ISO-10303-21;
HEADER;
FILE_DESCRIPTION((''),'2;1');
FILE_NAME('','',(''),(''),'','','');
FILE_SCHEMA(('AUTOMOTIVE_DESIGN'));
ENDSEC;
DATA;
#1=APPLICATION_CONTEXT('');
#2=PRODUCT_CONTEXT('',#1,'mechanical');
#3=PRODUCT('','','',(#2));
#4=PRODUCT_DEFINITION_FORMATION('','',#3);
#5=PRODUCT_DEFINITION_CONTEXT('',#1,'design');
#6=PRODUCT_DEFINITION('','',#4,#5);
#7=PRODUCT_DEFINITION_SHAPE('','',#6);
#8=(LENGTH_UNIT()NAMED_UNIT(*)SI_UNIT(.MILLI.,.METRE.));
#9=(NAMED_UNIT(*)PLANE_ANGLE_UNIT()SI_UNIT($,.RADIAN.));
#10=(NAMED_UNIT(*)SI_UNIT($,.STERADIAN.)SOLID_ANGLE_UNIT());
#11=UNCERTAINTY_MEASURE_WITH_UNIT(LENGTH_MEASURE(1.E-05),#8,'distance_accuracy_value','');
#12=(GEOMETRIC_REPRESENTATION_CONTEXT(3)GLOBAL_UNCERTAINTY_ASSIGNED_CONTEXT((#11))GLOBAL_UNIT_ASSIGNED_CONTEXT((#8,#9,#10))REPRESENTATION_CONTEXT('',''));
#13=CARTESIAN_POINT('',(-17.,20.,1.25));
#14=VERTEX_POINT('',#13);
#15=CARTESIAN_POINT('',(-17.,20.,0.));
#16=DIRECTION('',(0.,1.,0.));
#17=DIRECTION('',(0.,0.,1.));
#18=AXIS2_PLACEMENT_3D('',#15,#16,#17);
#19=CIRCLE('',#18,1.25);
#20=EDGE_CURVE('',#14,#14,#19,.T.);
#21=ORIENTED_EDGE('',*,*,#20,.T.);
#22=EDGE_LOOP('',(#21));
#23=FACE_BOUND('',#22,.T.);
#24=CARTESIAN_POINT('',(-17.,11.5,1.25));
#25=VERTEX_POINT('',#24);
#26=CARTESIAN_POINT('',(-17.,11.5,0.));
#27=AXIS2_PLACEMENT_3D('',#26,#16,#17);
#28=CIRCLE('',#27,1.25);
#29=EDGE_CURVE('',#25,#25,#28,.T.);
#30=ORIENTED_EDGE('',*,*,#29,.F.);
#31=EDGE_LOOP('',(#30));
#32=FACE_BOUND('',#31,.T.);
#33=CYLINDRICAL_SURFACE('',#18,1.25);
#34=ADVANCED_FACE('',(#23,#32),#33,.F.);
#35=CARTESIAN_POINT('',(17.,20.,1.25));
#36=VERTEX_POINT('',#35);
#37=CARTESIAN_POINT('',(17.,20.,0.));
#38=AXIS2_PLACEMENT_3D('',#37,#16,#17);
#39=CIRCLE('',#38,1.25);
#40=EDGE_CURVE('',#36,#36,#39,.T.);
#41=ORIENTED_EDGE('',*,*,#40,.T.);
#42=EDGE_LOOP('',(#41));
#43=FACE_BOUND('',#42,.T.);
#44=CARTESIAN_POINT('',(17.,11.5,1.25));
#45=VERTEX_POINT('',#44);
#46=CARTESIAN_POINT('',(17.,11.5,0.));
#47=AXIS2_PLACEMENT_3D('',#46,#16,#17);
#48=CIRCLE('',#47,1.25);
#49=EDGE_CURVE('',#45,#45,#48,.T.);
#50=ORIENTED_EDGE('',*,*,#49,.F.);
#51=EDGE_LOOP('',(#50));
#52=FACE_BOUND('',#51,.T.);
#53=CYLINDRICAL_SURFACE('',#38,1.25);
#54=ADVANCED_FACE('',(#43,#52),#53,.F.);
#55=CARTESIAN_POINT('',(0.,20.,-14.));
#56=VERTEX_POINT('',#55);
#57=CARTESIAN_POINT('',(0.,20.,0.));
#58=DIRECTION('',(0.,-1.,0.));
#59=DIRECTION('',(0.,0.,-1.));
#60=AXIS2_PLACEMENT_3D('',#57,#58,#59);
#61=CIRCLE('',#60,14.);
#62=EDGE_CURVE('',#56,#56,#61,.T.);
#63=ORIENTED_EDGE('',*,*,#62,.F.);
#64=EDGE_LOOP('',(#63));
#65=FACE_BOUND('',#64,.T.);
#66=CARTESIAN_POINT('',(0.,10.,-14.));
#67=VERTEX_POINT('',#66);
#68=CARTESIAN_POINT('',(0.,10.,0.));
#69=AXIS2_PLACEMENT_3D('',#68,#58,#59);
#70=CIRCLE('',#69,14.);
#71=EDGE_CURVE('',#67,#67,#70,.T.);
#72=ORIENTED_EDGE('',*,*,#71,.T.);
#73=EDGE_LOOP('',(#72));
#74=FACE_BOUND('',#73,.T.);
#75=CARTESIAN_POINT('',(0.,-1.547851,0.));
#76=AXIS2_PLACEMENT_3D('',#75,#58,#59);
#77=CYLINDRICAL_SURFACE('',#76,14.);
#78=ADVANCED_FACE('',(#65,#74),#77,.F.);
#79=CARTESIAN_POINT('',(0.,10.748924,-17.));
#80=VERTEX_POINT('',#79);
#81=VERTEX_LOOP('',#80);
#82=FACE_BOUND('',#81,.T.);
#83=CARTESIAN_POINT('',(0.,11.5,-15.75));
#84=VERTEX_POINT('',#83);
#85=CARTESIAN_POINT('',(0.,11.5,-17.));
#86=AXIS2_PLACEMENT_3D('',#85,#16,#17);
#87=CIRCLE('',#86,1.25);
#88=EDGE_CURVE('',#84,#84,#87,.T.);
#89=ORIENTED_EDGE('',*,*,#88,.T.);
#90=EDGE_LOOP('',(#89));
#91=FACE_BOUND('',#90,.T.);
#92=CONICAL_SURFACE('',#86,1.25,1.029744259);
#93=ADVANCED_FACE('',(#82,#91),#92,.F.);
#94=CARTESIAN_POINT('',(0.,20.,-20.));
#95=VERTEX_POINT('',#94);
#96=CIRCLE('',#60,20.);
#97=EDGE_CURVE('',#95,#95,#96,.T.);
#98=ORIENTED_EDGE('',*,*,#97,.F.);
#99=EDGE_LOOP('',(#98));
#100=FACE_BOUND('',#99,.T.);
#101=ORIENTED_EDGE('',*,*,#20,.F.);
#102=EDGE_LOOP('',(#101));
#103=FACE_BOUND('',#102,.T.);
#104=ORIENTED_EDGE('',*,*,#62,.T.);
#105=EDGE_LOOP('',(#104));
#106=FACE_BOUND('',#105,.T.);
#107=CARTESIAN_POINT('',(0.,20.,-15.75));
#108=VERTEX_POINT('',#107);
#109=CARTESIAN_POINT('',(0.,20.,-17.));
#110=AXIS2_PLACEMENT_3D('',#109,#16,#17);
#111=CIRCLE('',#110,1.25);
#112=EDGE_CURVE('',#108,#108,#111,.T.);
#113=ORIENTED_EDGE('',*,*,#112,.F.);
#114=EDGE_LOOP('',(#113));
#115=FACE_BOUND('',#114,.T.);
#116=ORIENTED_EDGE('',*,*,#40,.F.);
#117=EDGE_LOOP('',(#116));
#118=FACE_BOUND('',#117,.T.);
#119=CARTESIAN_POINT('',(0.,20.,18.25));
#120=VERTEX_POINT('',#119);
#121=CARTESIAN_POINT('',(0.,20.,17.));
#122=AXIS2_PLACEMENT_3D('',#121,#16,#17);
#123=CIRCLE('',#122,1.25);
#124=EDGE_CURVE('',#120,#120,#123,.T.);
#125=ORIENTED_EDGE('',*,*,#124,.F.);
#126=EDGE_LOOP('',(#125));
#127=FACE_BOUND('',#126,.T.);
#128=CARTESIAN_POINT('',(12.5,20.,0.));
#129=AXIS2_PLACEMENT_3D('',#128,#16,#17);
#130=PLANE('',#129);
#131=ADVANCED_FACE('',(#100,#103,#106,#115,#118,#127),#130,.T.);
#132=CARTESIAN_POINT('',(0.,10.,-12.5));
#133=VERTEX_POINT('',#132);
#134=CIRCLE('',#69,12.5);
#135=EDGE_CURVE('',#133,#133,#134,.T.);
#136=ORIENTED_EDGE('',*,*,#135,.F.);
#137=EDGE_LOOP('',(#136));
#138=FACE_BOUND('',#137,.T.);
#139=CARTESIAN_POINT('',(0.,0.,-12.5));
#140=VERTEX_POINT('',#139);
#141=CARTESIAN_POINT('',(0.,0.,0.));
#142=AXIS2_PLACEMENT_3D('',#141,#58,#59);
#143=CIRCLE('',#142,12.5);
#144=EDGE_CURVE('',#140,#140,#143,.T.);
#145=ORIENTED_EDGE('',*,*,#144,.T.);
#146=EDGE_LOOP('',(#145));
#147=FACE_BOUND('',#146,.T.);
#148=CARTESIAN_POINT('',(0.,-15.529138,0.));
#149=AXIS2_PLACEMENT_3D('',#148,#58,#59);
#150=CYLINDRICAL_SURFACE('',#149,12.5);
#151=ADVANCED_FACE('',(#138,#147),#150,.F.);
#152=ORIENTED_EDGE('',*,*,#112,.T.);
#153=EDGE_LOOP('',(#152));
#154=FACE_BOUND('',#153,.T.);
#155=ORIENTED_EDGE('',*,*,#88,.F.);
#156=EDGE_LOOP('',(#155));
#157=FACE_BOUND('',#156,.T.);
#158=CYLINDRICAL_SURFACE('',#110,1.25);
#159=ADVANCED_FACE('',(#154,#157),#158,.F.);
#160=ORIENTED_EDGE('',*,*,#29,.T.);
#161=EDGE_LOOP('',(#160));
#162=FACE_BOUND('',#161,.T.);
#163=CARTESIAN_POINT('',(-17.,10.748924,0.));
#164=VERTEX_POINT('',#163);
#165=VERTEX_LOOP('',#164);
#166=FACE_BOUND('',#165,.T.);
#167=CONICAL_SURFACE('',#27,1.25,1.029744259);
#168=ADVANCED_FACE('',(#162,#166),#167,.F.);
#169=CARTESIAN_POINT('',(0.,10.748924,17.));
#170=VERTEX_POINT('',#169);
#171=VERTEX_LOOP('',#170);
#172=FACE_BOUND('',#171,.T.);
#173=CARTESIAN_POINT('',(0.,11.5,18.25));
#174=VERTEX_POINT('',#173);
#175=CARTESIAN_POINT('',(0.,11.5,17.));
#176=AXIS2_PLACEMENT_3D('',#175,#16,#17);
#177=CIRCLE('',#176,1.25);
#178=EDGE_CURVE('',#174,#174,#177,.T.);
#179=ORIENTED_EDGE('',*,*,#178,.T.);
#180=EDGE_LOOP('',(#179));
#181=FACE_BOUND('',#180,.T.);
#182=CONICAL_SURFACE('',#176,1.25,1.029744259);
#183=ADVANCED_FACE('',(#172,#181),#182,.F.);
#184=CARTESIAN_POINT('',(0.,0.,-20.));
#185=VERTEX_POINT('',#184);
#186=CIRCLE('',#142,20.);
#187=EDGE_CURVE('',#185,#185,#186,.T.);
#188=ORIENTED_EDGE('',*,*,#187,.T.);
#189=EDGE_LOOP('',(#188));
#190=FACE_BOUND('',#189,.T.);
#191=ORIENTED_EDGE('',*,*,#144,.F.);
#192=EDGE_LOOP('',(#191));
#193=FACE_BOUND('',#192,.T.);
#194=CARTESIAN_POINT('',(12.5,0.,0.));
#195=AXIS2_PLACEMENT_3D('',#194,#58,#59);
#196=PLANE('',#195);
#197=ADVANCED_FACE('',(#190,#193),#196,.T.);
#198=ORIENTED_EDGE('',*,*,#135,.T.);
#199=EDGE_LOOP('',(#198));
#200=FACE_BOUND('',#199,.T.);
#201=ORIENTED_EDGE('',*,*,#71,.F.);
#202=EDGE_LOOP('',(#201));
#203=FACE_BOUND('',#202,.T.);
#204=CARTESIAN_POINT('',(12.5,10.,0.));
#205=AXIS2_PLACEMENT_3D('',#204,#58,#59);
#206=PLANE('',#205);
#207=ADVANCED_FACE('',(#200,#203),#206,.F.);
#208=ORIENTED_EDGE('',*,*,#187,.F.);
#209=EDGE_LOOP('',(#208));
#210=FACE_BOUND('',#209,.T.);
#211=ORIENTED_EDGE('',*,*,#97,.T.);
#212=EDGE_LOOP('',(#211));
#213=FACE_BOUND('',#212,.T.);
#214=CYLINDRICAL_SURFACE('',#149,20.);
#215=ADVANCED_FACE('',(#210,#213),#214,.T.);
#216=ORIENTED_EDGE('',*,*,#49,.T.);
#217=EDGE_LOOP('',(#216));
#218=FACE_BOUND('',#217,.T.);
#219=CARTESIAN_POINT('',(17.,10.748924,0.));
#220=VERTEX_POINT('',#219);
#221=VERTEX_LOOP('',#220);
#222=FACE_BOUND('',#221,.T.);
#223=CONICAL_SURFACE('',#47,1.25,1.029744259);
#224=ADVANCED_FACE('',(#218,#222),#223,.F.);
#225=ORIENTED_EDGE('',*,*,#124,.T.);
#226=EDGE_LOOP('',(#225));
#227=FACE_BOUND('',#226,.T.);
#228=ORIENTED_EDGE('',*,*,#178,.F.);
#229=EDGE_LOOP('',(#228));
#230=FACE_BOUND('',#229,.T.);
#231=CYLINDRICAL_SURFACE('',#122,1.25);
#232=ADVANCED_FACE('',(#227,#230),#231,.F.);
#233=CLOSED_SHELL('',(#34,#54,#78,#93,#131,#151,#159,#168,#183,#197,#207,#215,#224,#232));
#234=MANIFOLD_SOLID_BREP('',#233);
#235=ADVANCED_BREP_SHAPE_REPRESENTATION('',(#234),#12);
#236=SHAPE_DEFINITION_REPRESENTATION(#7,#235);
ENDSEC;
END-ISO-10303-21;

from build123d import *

# Parameters (mm, degrees)
SKETCH1_W                 = 7.5
SKETCH1_H                 = 20
SKETCH2_W                 = 1.5
SKETCH2_H                 = 10
M3X0_5_TAPPED_HOLE1_D     = 2.5
M3X0_5_TAPPED_HOLE1_DEPTH = 8.5
M3X0_5_TAPPED_HOLE1_TIP   = 0.751075774


with BuildPart() as part:
    # Sketch1 → Revolve1 (revolve)
    with BuildSketch(Plane.XY, mode=Mode.PRIVATE) as revolve1_sk:
        with Locations((16.25, 10)):
            Rectangle(SKETCH1_W, SKETCH1_H)
    revolve(revolve1_sk.sketch.rotate(Axis((0, -15.529138296, 0), (0, 1, 0)), 90), axis=Axis((0, -15.529138296, 0), (0, 1, 0)))

    # Sketch2 → Cut-Revolve1 (revolve, cut)
    with BuildSketch(Plane.XY, mode=Mode.PRIVATE) as cut_revolve1_sk:
        with Locations((13.25, 15)):
            Rectangle(SKETCH2_W, SKETCH2_H)
    revolve(cut_revolve1_sk.sketch.rotate(Axis((0, -1.547850983, 0), (0, 1, 0)), 90), axis=Axis((0, -1.547850983, 0), (0, 1, 0)), mode=Mode.SUBTRACT)

    # M3x0.5 Tapped Hole1
    with Locations(Plane(origin=(0, 20, 0), x_dir=(-1, 0, 0), z_dir=(0, 1, 0))):
        with Locations((17, 0), (-17, 0), (0, -17), (0, 17)):
            Hole(M3X0_5_TAPPED_HOLE1_D / 2, depth=M3X0_5_TAPPED_HOLE1_DEPTH)
            with Locations((0, 0, -(M3X0_5_TAPPED_HOLE1_DEPTH + M3X0_5_TAPPED_HOLE1_TIP / 2))):  # 118° drill point
                Cone(0, M3X0_5_TAPPED_HOLE1_D / 2, M3X0_5_TAPPED_HOLE1_TIP, mode=Mode.SUBTRACT)


solid = part.part
